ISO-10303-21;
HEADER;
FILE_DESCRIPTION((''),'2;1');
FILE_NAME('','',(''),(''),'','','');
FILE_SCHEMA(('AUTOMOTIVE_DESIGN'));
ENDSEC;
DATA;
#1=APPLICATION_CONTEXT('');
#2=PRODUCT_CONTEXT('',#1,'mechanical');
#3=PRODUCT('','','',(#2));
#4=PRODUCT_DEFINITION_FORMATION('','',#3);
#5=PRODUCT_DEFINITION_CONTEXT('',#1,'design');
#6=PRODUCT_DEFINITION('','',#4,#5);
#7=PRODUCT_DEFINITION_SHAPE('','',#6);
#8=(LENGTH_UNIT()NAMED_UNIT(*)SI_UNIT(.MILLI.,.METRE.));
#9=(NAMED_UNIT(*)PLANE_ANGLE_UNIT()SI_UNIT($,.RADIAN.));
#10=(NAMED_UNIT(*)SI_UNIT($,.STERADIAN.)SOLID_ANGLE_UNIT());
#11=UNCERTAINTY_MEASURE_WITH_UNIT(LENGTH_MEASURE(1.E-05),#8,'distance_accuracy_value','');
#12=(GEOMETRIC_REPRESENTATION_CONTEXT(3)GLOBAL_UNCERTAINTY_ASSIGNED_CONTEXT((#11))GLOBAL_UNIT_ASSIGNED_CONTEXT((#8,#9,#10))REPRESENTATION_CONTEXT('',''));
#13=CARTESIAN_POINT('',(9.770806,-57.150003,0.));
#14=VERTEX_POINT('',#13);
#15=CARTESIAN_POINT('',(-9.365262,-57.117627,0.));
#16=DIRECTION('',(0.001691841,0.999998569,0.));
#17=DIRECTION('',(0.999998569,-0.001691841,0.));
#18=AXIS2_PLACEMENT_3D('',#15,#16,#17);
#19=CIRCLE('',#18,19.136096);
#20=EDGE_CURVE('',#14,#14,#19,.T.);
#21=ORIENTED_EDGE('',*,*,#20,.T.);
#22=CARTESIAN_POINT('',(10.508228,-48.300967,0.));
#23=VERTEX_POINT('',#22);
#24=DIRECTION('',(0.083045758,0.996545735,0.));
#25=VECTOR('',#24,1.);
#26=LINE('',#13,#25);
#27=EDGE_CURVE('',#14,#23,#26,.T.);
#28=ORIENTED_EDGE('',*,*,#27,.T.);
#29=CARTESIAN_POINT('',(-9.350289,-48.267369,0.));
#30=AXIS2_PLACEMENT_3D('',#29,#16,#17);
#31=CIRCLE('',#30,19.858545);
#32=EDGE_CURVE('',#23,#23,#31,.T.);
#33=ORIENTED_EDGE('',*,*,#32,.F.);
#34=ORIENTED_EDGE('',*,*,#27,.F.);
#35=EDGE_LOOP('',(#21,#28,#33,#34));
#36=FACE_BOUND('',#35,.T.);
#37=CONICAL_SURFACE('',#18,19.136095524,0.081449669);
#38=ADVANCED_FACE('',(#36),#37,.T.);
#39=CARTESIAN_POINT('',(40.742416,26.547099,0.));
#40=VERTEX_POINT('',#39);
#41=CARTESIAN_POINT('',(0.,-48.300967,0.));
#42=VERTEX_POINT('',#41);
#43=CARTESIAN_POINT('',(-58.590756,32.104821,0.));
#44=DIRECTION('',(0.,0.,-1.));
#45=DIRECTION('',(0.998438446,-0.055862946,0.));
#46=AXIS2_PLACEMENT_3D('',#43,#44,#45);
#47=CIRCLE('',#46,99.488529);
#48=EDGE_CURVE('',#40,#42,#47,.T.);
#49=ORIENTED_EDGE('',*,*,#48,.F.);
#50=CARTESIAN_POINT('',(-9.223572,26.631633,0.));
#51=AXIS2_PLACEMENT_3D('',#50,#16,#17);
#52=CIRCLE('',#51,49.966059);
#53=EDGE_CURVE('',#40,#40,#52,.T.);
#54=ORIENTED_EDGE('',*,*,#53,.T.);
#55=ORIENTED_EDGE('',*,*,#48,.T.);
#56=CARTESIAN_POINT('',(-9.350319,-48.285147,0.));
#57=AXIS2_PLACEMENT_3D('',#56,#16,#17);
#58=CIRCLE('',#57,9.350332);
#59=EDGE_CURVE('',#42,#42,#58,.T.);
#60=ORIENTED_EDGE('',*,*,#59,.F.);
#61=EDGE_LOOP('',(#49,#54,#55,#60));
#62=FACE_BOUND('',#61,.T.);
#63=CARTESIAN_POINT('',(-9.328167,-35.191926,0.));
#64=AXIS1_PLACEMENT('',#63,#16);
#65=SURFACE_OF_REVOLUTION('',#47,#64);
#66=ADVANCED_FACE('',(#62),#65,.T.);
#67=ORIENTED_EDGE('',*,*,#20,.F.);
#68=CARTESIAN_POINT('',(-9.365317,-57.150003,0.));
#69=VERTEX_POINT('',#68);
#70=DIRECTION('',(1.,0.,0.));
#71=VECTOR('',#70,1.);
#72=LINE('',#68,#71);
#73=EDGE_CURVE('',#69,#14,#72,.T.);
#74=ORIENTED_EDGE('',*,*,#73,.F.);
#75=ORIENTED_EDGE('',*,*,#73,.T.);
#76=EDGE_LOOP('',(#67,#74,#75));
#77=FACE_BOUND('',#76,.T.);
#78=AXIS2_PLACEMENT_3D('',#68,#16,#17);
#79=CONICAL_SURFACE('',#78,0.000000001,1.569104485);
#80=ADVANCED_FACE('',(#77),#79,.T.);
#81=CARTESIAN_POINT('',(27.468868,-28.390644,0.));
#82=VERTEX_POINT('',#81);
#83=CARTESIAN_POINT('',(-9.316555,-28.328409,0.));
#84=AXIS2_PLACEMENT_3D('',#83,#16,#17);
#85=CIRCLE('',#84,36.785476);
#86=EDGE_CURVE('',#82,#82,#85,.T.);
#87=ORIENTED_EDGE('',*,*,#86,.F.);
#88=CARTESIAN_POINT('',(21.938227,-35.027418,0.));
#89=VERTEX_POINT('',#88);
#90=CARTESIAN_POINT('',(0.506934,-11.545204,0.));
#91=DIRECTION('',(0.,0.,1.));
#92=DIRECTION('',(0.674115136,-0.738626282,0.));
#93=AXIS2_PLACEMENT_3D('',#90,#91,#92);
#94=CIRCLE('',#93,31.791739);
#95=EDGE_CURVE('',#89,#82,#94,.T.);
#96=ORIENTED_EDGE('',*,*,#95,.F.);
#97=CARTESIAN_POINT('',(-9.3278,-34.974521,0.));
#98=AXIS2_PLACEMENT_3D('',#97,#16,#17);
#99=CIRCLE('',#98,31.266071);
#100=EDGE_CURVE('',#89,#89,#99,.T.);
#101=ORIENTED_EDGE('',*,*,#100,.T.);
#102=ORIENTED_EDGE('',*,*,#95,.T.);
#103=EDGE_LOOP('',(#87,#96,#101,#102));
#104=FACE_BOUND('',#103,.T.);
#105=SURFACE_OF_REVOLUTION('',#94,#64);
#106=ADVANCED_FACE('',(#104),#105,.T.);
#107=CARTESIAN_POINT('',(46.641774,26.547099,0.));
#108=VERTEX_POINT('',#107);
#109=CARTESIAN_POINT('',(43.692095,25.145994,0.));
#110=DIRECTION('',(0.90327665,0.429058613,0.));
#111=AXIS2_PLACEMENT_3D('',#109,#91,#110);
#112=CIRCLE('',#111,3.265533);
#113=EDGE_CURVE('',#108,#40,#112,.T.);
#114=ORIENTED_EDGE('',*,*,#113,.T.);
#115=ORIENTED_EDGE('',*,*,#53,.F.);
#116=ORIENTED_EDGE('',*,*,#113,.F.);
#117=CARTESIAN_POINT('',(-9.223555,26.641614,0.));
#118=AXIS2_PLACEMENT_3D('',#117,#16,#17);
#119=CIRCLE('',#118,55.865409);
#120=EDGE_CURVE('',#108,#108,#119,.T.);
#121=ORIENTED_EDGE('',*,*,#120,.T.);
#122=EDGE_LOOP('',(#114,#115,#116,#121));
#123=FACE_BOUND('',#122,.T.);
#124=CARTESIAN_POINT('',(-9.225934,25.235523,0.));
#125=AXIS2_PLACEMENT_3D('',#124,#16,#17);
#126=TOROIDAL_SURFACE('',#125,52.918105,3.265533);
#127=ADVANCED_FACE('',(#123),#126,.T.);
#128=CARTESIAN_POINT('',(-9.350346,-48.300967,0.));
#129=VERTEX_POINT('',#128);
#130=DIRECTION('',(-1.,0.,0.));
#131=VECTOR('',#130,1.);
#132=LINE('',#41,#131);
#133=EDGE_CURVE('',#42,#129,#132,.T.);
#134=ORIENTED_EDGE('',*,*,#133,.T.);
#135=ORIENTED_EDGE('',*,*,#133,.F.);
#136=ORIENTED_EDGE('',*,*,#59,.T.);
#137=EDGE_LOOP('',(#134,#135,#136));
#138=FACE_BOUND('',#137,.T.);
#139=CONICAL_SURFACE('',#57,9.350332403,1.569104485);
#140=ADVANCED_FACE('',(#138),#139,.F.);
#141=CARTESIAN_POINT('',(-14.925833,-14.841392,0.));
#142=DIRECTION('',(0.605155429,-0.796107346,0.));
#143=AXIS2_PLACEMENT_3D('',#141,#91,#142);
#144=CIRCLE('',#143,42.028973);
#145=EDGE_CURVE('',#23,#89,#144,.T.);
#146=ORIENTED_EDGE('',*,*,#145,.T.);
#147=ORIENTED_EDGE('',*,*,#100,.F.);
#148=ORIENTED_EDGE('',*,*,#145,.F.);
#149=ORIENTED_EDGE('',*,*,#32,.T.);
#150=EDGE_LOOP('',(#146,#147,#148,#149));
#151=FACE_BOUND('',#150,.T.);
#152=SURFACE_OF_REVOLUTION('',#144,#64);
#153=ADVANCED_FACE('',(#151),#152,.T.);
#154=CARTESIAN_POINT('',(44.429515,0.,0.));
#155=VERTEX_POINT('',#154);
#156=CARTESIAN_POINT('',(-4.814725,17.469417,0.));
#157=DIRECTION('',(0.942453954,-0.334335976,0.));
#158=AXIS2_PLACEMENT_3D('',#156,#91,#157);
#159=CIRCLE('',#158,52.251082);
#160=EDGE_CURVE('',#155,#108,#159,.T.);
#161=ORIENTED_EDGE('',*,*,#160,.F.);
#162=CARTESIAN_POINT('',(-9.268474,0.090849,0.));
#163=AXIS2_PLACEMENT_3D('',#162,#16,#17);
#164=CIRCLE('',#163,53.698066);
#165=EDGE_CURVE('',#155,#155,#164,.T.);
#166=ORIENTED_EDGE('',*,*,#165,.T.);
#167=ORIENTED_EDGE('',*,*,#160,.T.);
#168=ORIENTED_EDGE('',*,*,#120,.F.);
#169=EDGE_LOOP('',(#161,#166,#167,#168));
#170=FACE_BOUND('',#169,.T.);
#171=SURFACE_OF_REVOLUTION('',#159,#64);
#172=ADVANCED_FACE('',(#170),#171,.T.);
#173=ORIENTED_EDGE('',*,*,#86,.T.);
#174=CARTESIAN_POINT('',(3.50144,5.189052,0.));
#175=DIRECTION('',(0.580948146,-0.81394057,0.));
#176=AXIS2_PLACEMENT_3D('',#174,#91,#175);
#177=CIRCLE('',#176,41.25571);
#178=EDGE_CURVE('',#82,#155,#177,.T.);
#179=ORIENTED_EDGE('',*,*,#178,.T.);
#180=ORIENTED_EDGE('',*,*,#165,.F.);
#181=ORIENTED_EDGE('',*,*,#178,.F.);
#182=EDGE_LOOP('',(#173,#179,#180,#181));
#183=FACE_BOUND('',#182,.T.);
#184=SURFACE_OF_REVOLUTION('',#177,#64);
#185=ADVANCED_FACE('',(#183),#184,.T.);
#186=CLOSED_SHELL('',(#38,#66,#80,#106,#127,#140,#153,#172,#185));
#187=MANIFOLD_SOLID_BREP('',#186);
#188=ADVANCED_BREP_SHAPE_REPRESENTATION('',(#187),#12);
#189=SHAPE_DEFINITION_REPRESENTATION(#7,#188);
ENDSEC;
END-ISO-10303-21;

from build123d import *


with BuildPart() as f1:
    # F0 (on Top) → F1 (revolve)
    with BuildSketch(Plane.XY):
        with BuildLine():
            ThreePointArc((40.7424159348, 26.5470985323), (28.7908780092, -15.4600545052), (0, -48.3009666204))
            Line((0, -48.3009666204), (5.2541140467, -48.3009666204))
            Line((5.2541140467, -48.3009666204), (10.5082280934, -48.3009666204))
            ThreePointArc((10.5082280934, -48.3009666204), (16.9224125947, -42.2662683671), (21.9382271171, -35.0274182856))
            ThreePointArc((21.9382271171, -35.0274182856), (24.9300335384, -31.8977695262), (27.4688676, -28.3906441182))
            ThreePointArc((27.4688676, -28.3906441182), (38.9184375516, -15.9691578674), (44.4295145571, 0))
            ThreePointArc((44.4295145571, 0), (47.2558696026, 13.130197065), (46.6417744756, 26.5470985323))
            ThreePointArc((46.6417744756, 26.5470985323), (43.6920952052, 28.4115261947), (40.7424159348, 26.5470985323))
        make_face()
        with BuildLine():
            Line((5.2541140467, -48.3009666204), (0, -48.3009666204))
            ThreePointArc((0, -48.3009666204), (-6.2915292503, -50.7102549458), (-9.3645651468, -56.7056249027))
            Line((-9.3645651468, -56.7056249027), (-9.365316964, -57.150002569))
            Line((-9.365316964, -57.150002569), (9.7708059475, -57.150002569))
            Line((9.7708059475, -57.150002569), (10.5082280934, -48.3009666204))
            Line((10.5082280934, -48.3009666204), (5.2541140467, -48.3009666204))
        make_face()
        with BuildLine():
            ThreePointArc((-9.3645651468, -56.7056249027), (-6.2915292503, -50.7102549458), (0, -48.3009666204))
            Line((0, -48.3009666204), (-9.3503457849, -48.3009666204))
            Line((-9.3503457849, -48.3009666204), (-9.3645651468, -56.7056249027))
        make_face()
    revolve(axis=Axis((-9.3281673471, -35.1919260723, 0), (0.0016918405, 0.9999985688, 0)))


solid = f1.part
